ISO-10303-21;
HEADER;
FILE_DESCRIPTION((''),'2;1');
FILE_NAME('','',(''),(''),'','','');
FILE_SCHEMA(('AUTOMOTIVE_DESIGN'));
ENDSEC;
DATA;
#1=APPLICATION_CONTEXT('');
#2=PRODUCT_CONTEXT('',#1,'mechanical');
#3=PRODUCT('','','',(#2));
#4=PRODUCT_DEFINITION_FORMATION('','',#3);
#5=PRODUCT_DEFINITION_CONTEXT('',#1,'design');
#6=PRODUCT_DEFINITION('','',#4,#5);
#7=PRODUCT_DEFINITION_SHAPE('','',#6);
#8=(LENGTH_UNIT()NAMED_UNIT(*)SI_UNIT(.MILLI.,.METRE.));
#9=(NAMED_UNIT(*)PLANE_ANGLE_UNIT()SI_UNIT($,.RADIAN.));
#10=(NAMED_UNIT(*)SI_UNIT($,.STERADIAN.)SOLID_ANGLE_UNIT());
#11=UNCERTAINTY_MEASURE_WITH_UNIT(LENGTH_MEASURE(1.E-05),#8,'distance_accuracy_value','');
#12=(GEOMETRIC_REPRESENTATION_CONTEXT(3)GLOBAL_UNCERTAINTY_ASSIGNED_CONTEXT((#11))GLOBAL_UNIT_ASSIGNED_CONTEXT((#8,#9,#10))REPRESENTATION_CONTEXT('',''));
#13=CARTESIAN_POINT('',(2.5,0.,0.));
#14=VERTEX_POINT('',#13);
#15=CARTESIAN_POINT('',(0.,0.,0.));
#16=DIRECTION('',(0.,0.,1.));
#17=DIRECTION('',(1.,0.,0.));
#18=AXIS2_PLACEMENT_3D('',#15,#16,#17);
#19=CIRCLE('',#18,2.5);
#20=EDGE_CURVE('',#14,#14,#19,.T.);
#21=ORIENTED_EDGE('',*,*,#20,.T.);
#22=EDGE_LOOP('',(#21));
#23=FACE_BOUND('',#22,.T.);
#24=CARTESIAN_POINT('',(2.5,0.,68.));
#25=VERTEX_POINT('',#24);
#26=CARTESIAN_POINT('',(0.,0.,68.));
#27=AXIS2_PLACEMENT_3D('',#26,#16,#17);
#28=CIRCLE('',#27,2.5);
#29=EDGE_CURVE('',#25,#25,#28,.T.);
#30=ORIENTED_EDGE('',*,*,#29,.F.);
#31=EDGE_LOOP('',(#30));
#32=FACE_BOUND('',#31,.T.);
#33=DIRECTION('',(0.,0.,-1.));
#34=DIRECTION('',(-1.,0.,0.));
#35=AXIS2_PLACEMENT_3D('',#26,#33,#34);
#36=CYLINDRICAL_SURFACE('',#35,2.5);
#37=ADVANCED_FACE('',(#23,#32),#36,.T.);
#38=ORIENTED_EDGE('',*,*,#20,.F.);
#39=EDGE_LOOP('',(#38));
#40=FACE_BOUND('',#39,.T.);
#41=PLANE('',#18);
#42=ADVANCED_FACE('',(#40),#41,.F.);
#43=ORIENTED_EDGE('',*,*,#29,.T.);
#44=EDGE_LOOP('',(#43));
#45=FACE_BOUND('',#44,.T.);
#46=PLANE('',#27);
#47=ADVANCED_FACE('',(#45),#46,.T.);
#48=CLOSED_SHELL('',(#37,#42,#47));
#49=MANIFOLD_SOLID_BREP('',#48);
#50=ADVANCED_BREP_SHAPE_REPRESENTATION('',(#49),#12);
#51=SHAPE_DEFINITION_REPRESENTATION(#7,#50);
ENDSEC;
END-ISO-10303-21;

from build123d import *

# Parameters (mm, degrees)
SKETCH_1_R                                   = 2.5
PURCHASED_STEEL_SHAFT_D5_L68_NOT_PRINT_DEPTH = 68


with BuildPart() as part:
    # 草图1 → Purchased_steel_shaft_D5_L68_NOT_PRINT (new body)
    with BuildSketch(Plane.XY):
        Circle(SKETCH_1_R)
    extrude(amount=PURCHASED_STEEL_SHAFT_D5_L68_NOT_PRINT_DEPTH)


solid = part.part
